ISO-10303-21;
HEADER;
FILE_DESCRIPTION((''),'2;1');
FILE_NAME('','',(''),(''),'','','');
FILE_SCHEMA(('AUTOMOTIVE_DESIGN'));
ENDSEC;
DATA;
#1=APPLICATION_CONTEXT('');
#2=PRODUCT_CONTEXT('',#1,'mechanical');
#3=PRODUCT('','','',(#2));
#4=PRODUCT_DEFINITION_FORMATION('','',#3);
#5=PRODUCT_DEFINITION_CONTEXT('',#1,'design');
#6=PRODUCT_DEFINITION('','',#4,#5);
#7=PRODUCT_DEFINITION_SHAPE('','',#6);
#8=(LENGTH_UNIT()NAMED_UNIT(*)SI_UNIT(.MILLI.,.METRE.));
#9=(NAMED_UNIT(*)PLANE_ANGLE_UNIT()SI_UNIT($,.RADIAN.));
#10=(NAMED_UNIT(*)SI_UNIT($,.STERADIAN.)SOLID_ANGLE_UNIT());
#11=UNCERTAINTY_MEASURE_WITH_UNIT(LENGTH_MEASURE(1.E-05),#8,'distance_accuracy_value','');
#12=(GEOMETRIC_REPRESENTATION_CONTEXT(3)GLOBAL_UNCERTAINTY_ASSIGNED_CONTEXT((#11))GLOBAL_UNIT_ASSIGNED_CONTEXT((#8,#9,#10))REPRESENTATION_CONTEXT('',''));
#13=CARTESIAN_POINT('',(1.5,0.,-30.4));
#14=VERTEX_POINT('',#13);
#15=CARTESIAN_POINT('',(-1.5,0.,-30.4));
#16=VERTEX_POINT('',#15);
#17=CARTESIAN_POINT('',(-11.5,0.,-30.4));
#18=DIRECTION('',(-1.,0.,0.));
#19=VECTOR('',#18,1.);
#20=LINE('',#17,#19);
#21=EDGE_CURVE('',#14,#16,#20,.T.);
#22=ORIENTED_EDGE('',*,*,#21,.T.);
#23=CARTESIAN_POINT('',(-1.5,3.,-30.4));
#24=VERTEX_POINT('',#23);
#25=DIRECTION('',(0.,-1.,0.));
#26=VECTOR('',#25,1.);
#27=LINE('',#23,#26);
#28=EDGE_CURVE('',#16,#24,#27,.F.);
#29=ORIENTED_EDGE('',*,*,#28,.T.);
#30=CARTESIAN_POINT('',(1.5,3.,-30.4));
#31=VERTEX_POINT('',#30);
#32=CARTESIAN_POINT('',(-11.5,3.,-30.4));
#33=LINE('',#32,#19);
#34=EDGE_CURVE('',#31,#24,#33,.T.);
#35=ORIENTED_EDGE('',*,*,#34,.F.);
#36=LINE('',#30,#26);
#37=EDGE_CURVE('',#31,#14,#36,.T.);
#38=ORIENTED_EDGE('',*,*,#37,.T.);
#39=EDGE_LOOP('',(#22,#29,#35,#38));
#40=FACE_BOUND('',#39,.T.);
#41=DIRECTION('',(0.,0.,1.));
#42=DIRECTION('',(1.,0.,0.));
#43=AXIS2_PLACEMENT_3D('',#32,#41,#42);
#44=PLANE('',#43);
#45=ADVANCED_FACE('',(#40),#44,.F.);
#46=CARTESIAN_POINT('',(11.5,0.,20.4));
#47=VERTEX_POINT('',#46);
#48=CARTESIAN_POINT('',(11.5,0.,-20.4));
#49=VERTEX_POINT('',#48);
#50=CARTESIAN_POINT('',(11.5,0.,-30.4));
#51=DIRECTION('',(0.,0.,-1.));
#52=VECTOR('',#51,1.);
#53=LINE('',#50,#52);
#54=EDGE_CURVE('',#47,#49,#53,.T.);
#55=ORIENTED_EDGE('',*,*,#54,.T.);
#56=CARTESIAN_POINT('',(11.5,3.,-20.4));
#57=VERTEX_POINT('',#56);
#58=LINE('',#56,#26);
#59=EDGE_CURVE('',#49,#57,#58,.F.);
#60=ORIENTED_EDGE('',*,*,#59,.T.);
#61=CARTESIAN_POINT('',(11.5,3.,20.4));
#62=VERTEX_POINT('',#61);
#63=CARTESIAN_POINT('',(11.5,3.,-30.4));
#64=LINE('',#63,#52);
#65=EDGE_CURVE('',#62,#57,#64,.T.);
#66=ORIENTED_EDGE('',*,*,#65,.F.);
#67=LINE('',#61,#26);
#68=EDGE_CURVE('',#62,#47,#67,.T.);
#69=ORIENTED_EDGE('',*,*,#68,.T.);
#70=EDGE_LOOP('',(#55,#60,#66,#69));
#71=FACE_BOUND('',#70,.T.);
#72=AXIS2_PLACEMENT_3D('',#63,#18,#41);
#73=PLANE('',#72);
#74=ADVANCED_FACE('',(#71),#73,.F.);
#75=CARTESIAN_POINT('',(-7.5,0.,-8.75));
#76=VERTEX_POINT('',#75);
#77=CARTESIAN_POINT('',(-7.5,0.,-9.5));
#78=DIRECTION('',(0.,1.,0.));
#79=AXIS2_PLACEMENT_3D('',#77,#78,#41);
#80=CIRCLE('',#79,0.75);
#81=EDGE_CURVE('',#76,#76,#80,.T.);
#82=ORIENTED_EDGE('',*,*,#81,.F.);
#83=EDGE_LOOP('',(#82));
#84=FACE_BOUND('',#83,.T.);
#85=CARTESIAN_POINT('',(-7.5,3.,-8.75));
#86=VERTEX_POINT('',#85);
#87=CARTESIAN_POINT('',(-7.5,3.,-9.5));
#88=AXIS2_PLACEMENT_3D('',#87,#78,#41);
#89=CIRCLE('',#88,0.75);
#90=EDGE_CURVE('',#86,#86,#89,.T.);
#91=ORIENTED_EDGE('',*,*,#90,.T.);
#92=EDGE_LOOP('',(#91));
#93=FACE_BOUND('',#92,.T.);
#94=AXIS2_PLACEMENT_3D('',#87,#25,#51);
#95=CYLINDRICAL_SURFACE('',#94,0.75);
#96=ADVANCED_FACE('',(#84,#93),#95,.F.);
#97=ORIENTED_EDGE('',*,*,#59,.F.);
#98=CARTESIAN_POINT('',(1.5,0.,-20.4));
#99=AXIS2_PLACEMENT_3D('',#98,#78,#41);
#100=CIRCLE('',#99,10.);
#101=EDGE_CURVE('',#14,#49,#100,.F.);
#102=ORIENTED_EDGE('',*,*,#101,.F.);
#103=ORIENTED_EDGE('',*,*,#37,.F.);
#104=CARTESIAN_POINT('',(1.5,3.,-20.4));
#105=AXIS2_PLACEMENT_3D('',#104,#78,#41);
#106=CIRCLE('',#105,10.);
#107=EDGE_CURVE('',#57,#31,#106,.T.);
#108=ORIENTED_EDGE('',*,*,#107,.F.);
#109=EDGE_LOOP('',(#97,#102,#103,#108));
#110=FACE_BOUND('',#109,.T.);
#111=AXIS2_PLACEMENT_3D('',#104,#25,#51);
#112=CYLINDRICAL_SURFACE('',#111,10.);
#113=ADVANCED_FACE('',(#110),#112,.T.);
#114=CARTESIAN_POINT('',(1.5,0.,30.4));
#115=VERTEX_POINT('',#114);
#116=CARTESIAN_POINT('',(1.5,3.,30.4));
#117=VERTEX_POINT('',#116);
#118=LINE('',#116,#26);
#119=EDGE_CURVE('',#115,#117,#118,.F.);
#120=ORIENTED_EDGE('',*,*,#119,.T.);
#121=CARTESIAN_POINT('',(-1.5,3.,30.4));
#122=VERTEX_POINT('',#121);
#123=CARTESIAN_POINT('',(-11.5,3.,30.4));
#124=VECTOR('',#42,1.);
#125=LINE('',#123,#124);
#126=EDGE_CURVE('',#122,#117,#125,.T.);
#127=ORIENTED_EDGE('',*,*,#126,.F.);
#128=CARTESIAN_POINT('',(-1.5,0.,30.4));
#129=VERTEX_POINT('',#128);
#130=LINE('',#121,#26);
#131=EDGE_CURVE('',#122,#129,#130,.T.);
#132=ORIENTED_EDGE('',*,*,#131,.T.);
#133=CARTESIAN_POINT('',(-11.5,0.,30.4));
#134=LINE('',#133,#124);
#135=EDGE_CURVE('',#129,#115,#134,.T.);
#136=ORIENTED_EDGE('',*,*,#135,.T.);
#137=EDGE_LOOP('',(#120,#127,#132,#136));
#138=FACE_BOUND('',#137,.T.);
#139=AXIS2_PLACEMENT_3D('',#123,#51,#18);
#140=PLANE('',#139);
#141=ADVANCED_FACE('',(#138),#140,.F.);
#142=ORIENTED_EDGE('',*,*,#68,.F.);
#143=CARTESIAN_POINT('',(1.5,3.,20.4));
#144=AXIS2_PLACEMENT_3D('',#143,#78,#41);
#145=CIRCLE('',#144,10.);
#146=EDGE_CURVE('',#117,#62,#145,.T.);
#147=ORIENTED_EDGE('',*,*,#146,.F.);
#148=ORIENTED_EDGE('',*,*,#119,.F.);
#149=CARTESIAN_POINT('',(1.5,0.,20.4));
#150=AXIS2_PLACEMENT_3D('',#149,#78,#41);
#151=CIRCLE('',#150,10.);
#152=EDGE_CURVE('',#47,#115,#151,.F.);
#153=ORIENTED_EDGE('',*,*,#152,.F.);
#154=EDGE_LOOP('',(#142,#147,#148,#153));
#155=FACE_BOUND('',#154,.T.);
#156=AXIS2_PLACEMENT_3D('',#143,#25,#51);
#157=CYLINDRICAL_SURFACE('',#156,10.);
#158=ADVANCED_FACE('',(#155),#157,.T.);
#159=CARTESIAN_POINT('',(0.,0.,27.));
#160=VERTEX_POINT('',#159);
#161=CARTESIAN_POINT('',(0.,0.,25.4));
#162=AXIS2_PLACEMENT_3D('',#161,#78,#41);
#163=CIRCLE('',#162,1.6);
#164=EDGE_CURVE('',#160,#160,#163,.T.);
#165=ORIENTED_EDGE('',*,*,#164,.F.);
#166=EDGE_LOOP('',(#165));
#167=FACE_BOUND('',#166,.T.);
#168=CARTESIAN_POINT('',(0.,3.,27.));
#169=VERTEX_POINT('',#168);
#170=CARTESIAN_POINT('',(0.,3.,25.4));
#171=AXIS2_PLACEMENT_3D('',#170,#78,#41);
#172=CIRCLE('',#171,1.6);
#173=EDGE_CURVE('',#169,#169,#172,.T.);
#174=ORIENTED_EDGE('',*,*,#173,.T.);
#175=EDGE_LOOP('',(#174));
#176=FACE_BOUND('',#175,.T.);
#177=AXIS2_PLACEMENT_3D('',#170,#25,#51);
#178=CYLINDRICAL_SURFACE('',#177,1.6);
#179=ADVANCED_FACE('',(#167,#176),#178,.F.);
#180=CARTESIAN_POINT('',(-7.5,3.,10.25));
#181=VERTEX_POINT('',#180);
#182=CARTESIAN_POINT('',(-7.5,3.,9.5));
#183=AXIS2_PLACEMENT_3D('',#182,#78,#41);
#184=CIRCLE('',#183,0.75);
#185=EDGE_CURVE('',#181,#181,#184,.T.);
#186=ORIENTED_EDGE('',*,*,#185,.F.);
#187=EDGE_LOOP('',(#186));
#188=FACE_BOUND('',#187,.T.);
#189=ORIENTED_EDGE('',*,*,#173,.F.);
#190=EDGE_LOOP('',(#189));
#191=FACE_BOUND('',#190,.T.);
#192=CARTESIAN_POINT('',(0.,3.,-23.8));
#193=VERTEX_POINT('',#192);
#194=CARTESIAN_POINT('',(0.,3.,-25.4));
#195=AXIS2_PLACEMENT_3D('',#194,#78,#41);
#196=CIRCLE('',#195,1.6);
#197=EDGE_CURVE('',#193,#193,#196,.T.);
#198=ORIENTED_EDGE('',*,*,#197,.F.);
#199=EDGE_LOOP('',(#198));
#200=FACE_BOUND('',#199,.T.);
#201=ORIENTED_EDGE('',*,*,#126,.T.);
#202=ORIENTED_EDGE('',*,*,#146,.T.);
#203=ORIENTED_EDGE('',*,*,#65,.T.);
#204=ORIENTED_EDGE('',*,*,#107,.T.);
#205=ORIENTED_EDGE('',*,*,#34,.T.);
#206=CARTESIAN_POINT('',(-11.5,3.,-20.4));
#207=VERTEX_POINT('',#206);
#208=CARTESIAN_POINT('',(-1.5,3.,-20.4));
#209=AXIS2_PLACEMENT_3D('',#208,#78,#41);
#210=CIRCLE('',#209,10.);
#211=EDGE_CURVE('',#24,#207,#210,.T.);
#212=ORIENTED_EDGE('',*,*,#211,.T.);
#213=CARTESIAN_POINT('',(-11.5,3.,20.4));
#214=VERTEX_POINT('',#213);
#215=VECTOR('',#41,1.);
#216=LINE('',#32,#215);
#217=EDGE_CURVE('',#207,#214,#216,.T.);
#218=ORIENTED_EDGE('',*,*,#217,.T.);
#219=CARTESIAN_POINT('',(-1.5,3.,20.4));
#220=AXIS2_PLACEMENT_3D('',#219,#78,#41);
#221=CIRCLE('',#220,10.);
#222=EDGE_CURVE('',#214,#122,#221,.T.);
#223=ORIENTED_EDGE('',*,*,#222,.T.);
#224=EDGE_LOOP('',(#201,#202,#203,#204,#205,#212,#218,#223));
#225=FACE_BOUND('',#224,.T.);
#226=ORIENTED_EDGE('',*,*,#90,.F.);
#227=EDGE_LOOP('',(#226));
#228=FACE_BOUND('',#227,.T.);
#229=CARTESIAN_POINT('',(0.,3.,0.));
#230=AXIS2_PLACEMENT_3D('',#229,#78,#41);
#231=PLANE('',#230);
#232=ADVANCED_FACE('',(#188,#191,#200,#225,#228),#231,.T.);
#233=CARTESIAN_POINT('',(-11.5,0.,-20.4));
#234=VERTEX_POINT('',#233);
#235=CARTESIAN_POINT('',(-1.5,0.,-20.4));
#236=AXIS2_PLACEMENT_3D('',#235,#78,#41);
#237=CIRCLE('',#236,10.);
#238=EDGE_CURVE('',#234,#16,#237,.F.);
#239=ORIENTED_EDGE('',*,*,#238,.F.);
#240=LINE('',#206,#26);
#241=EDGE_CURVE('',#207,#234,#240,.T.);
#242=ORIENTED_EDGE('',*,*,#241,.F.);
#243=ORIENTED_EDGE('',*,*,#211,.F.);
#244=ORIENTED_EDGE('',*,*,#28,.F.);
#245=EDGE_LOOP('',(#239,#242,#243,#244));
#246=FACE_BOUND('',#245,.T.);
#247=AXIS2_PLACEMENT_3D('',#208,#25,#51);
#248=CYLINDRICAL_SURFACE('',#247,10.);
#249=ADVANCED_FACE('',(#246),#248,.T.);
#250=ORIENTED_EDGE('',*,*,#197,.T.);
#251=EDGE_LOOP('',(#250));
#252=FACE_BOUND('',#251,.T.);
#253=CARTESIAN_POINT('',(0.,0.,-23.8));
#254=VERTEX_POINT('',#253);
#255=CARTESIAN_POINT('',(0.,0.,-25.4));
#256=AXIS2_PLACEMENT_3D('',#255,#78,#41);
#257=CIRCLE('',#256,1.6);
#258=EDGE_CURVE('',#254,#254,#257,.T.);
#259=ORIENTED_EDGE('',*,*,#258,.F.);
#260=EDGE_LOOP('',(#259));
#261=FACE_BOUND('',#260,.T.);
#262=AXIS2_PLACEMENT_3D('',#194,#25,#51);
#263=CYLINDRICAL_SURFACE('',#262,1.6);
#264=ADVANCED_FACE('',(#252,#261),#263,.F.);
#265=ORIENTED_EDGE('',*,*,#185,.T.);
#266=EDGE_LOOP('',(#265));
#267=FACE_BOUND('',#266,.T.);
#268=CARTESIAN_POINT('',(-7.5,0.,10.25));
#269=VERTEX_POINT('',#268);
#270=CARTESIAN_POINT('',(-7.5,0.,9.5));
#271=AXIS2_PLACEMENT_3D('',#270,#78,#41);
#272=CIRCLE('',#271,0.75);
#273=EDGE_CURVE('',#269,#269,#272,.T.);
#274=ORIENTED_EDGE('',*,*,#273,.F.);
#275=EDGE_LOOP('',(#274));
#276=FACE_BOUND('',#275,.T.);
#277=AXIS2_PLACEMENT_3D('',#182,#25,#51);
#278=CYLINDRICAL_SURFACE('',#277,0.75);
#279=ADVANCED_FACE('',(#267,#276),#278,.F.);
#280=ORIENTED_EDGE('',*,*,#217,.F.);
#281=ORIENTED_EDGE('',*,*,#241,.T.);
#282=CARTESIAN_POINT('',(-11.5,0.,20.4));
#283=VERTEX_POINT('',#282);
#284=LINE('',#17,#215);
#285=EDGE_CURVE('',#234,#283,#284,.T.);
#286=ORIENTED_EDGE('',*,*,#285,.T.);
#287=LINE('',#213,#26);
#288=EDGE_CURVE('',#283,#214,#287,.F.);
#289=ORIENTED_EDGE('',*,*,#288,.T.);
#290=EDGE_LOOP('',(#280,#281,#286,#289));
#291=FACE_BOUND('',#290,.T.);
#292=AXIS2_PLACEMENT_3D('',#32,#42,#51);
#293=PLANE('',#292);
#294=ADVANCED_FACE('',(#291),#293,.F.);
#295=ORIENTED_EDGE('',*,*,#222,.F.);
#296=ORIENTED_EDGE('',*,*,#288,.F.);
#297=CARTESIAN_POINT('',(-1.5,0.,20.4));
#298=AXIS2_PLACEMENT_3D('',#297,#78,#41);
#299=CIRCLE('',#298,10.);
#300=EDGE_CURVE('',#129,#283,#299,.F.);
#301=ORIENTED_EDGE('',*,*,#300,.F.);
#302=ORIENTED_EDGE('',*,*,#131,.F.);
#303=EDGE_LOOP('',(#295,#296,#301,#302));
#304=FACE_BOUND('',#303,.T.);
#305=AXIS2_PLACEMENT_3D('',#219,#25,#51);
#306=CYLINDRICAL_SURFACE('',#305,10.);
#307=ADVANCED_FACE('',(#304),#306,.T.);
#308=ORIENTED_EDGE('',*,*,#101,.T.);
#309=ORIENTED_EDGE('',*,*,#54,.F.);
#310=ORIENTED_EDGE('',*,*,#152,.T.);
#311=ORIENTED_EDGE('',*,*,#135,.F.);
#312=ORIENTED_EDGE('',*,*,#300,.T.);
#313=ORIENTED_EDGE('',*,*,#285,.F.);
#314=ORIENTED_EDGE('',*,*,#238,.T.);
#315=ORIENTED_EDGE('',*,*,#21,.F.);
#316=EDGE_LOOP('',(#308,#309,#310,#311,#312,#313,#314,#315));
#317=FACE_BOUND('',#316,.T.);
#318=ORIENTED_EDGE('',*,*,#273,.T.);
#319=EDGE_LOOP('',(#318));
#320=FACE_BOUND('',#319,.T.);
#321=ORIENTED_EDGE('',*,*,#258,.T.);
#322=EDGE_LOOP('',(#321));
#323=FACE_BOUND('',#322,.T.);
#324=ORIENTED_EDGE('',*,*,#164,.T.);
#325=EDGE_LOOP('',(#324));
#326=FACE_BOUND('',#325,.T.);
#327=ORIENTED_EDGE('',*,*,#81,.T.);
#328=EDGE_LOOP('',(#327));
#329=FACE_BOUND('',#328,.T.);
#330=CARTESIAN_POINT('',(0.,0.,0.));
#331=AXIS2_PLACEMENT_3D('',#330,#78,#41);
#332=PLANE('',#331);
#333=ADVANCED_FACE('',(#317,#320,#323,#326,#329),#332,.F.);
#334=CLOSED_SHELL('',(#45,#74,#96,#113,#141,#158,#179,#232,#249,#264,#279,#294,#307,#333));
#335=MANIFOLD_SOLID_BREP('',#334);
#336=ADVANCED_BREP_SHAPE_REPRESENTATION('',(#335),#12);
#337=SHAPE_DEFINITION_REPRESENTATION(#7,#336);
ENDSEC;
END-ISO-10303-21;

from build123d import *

# Parameters (mm, degrees)
SKETCH1_W           = 23
SKETCH1_H           = 60.8
SKETCH1_R           = 0.75
SKETCH1_R_2         = 1.6
BOSS_EXTRUDE1_DEPTH = 3
FILLET1_R           = 10


with BuildPart() as part:
    # Sketch1 → Boss-Extrude1 (new body)
    with BuildSketch(Plane(origin=(0, 0, 0), x_dir=(1, 0, 0), z_dir=(0, 1, 0))):
        Rectangle(SKETCH1_W, SKETCH1_H)
        with Locations(Location((-7.5, 9.5, 0), (0, 0, 270))):
            Circle(SKETCH1_R, mode=Mode.SUBTRACT)
        with Locations(Location((-7.5, -9.5, 0), (0, 0, 270))):
            Circle(SKETCH1_R, mode=Mode.SUBTRACT)
        with Locations(Location((0, 25.4, 0), (0, 0, 270))):
            Circle(SKETCH1_R_2, mode=Mode.SUBTRACT)
        with Locations(Location((0, -25.4, 0), (0, 0, 270))):
            Circle(SKETCH1_R_2, mode=Mode.SUBTRACT)
    extrude(amount=BOSS_EXTRUDE1_DEPTH)

    # Fillet1
    fillet1_edges = [part.edges().sort_by_distance(p)[0] for p in [
        (11.5, 1.5, 30.4),
        (-11.5, 1.5, 30.4),
        (-11.5, 1.5, -30.4),
        (11.5, 1.5, -30.4),
    ]]
    fillet(fillet1_edges, radius=FILLET1_R)


solid = part.part
